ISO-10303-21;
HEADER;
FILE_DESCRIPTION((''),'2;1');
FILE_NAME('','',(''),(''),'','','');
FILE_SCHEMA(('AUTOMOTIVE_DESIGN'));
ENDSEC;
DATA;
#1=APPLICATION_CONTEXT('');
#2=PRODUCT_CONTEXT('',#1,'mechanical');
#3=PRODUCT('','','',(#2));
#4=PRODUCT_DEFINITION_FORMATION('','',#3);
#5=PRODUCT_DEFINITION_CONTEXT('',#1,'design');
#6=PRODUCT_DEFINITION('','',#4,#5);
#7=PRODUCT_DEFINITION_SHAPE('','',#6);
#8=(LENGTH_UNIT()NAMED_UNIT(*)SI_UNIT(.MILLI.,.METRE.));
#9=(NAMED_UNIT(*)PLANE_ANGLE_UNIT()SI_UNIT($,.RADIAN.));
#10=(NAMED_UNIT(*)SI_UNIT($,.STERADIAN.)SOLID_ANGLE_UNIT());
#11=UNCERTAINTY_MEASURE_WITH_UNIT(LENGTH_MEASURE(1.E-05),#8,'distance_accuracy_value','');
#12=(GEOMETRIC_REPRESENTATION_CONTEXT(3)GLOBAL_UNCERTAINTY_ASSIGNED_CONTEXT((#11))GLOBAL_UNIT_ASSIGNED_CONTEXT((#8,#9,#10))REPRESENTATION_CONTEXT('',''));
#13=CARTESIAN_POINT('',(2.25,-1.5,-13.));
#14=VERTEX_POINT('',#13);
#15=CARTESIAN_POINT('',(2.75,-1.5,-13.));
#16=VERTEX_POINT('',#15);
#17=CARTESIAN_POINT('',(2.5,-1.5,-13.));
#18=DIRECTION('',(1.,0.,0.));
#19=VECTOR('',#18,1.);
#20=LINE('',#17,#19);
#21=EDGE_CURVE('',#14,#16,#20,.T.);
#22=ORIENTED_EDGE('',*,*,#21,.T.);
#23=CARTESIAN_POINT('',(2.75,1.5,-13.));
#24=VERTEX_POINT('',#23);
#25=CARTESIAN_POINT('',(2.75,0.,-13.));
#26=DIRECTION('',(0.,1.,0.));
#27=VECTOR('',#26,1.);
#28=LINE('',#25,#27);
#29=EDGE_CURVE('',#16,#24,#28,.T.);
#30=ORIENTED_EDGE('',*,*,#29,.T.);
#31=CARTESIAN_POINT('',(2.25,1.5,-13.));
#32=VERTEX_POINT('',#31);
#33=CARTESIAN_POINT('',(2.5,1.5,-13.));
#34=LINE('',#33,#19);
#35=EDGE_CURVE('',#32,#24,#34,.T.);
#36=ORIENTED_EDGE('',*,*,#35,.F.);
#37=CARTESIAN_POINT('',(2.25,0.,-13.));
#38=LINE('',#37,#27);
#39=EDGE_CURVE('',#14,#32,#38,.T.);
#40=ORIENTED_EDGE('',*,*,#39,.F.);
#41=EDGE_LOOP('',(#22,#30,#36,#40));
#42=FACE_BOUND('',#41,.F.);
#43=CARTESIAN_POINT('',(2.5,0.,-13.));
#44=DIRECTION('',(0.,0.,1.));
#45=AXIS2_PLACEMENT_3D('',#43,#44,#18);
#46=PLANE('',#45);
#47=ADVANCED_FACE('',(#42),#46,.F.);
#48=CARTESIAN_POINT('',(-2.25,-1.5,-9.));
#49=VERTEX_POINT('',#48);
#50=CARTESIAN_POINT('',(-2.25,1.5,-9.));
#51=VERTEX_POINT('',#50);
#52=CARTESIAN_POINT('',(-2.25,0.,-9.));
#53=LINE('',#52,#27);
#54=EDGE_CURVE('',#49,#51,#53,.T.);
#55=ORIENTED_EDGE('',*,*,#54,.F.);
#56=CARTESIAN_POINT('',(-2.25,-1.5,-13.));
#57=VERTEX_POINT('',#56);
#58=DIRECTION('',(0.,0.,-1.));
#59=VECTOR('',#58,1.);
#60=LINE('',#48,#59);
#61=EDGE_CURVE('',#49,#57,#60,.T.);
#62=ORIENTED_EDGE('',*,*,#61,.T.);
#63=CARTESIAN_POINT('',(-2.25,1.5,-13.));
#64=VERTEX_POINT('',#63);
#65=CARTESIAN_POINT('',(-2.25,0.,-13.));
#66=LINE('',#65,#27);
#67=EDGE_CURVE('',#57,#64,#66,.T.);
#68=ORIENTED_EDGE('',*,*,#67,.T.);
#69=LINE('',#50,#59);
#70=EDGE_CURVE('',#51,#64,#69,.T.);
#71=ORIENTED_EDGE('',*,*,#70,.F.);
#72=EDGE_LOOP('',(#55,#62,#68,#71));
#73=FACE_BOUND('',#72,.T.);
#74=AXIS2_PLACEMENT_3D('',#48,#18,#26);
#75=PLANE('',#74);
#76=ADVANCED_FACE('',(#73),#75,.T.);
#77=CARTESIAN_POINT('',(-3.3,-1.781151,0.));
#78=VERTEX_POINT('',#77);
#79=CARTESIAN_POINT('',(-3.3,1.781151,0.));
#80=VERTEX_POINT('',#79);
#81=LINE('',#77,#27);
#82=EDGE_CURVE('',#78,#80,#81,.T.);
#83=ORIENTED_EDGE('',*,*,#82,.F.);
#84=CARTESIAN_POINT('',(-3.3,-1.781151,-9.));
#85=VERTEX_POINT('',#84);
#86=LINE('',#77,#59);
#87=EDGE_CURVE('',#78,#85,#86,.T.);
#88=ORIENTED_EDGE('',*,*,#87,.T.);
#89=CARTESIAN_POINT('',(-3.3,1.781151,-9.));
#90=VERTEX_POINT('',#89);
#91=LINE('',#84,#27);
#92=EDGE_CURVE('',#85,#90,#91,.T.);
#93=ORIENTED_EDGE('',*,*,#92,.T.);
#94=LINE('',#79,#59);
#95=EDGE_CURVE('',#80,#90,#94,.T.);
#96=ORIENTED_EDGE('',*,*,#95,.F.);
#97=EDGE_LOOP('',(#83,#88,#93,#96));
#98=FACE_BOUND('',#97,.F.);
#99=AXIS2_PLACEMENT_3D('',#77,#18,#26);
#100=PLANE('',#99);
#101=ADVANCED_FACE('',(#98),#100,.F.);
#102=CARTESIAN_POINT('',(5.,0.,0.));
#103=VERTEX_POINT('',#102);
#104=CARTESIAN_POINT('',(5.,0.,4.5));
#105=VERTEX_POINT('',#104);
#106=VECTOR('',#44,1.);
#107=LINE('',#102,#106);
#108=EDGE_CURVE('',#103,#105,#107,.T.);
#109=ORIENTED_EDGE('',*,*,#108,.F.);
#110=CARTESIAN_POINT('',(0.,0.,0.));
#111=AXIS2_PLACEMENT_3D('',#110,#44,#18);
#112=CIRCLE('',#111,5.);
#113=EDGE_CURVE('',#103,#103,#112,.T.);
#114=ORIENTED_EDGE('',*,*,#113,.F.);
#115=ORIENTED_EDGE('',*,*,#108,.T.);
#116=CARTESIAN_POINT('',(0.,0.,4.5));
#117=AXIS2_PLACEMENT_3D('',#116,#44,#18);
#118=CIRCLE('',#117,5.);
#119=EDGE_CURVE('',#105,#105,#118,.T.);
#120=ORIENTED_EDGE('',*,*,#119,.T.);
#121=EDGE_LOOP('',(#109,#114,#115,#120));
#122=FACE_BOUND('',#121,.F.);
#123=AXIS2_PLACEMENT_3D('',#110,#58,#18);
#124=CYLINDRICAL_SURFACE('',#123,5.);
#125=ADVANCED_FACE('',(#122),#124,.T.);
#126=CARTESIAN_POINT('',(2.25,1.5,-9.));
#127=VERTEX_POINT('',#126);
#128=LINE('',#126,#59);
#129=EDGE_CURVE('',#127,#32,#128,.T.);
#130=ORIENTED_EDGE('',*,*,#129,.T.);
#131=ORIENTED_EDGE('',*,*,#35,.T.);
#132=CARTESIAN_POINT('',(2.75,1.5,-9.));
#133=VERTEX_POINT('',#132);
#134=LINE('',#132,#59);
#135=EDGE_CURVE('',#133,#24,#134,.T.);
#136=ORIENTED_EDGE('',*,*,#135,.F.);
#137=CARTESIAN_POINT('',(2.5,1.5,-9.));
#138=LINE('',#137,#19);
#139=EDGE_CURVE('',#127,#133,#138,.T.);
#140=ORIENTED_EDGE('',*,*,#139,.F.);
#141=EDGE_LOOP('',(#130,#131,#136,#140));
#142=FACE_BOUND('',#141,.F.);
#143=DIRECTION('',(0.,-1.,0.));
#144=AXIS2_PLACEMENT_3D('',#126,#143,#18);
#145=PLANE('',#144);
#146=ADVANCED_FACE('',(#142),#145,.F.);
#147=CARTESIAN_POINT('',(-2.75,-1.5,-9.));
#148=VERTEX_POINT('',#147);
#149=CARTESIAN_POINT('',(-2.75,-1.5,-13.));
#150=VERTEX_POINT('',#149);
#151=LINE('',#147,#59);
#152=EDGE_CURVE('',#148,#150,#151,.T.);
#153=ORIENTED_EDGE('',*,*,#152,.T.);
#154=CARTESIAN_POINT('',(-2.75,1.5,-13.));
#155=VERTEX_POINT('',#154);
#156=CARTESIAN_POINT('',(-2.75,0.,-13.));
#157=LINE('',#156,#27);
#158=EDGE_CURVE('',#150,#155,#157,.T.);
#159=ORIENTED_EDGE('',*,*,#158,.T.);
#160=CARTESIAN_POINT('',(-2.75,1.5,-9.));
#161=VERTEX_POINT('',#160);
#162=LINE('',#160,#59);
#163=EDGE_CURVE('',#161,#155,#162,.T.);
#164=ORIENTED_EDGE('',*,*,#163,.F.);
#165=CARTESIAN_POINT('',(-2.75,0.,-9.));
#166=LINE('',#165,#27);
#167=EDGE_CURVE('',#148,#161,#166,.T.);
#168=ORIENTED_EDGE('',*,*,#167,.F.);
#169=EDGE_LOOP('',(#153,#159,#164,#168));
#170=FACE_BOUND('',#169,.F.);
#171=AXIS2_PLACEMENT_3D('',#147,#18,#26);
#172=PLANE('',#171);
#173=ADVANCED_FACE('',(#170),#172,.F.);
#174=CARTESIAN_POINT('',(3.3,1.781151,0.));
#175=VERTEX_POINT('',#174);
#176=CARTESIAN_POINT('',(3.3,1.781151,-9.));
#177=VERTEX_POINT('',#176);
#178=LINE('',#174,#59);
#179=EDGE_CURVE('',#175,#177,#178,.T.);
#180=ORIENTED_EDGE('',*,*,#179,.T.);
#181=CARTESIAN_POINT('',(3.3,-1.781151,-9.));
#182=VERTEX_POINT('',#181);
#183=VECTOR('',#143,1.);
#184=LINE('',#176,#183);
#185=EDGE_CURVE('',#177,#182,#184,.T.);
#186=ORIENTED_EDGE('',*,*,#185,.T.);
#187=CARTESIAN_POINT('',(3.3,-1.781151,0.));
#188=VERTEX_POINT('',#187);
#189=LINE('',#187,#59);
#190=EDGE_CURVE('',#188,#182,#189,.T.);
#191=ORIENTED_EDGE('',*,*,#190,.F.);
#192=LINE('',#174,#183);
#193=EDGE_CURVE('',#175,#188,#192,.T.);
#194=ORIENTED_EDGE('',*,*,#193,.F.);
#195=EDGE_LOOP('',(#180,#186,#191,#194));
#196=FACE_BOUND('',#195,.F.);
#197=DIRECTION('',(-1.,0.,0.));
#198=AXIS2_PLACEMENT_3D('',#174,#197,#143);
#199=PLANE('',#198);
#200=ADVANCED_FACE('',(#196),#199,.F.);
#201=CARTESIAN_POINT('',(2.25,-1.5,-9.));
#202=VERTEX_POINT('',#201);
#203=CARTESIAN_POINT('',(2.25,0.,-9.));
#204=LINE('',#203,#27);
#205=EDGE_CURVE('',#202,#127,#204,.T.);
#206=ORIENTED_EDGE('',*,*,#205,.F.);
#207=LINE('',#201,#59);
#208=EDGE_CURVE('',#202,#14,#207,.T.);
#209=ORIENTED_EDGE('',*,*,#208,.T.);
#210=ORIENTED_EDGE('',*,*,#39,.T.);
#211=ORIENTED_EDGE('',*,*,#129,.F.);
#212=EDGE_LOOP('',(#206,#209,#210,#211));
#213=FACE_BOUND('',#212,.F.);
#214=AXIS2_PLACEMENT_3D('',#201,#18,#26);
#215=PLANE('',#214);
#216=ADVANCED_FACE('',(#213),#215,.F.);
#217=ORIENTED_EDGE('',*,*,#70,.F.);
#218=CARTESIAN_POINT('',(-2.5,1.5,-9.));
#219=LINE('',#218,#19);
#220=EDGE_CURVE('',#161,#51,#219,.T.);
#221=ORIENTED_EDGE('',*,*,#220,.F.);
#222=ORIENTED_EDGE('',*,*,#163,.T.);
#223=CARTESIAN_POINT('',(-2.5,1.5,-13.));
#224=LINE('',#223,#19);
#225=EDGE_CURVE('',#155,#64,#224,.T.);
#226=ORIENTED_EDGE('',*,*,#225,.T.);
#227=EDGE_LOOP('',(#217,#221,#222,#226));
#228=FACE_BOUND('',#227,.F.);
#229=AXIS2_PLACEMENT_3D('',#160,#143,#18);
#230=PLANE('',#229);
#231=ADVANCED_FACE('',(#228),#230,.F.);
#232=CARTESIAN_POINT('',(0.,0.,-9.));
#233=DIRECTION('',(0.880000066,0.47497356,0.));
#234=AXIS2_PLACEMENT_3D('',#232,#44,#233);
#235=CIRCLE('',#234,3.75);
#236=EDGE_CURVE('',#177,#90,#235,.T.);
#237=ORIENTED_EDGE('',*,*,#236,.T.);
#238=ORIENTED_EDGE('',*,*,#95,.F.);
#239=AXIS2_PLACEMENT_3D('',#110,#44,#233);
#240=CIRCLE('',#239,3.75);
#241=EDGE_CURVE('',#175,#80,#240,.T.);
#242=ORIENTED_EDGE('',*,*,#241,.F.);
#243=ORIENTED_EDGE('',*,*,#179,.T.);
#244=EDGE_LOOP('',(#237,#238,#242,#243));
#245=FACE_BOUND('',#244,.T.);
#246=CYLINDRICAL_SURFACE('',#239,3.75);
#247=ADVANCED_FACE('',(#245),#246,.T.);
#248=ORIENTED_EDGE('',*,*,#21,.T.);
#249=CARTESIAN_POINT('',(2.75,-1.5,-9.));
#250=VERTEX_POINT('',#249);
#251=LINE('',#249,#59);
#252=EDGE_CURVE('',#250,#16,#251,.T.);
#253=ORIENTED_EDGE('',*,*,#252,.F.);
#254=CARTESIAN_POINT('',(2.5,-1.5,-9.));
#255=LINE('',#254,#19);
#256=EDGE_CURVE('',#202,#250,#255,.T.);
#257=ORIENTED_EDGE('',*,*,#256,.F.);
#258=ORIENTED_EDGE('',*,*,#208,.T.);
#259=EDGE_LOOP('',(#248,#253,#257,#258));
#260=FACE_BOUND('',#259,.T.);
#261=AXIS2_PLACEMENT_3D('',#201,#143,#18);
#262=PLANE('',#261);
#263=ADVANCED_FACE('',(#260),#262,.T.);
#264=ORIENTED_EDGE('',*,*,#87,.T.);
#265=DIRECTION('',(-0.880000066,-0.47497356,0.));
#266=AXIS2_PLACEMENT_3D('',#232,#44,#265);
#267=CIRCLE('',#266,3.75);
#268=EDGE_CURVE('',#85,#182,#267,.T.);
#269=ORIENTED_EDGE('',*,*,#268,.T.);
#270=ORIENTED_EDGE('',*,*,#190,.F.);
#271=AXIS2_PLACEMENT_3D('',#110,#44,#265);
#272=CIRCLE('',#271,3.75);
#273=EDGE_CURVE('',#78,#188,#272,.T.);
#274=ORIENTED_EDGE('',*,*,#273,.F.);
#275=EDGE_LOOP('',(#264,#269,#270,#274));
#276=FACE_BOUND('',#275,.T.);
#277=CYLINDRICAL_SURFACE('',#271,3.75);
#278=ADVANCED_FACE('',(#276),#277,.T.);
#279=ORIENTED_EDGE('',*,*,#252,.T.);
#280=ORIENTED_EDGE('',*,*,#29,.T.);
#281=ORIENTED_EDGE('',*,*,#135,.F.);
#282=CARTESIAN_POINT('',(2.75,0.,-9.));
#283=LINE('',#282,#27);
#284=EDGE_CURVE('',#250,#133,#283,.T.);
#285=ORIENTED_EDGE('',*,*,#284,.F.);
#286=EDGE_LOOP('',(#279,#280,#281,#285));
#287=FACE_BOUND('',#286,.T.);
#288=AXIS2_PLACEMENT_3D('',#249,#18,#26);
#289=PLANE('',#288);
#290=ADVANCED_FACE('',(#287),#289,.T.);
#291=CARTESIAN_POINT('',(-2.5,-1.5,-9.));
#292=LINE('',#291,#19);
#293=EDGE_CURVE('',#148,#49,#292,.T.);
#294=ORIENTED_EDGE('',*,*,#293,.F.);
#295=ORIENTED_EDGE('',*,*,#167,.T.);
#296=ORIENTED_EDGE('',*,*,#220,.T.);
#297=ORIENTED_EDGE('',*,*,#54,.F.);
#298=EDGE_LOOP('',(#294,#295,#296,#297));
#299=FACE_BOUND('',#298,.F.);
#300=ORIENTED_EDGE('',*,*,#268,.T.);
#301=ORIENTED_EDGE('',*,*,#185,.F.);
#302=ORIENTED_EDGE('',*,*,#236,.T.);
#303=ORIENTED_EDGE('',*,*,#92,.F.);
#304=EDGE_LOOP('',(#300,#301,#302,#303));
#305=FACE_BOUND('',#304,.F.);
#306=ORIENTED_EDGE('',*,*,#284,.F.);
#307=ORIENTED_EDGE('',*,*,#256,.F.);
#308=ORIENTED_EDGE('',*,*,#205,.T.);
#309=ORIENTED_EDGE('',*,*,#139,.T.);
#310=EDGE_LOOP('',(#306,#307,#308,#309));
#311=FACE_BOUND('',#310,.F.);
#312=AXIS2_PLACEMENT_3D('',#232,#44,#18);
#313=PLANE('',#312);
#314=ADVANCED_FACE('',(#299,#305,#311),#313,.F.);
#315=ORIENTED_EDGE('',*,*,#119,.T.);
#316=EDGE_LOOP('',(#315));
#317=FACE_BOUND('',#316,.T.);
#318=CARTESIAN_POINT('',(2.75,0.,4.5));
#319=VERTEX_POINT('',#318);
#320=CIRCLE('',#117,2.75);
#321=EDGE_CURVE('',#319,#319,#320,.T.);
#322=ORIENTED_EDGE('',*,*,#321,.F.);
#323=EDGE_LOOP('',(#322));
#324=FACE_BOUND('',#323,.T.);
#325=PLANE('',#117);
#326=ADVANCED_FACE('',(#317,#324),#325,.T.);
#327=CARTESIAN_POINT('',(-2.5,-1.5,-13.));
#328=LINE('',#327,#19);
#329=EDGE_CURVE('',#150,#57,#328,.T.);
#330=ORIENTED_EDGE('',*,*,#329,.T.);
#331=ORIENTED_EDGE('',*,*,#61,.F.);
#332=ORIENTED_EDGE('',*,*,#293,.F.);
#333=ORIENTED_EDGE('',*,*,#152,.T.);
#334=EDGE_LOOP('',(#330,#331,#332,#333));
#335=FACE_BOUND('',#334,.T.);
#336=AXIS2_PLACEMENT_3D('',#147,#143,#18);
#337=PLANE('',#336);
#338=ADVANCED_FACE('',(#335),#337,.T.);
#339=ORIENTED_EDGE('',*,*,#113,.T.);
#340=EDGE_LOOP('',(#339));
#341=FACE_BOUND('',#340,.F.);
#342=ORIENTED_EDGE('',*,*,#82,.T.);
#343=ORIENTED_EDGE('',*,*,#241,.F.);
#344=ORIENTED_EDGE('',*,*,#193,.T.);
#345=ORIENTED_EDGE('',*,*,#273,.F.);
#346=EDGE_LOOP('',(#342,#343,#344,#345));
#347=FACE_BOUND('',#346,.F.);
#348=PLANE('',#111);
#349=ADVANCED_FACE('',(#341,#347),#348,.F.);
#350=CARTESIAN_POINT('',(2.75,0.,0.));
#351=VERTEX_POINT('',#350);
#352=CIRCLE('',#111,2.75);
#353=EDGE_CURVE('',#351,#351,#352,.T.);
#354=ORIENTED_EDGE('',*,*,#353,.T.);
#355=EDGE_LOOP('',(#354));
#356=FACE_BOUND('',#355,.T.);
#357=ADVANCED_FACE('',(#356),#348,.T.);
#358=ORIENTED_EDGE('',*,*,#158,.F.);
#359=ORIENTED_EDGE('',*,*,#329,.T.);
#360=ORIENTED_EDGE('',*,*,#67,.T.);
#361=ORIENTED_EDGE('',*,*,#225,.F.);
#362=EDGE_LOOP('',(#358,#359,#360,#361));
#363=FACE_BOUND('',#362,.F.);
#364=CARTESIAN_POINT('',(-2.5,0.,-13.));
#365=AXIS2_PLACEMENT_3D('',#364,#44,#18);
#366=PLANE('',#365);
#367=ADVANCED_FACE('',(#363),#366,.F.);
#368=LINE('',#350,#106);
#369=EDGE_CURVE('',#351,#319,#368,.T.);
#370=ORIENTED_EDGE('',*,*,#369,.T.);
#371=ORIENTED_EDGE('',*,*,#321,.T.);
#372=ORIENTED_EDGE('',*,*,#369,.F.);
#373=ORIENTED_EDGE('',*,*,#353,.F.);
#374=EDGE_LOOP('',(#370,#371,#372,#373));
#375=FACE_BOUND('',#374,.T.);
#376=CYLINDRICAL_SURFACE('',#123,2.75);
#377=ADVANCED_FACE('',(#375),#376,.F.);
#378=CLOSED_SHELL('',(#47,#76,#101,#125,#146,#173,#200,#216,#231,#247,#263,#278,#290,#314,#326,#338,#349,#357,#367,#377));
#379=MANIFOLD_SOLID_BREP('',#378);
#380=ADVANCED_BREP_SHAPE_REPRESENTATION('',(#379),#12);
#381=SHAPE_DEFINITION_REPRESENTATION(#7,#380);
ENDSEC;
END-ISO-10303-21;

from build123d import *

# Parameters (mm, degrees)
SKETCH083_R   = 5
SKETCH083_R_2 = 2.75
PAD063_DEPTH  = 4.5
PAD064_DEPTH  = 9
SKETCH085_W   = 0.5
SKETCH085_H   = 3
PAD065_DEPTH  = 4


with BuildPart() as part:
    # Sketch083 → Pad063 (new body)
    with BuildSketch(Plane.XY):
        Circle(SKETCH083_R)
        Circle(SKETCH083_R_2, mode=Mode.SUBTRACT)
    extrude(amount=PAD063_DEPTH)

    # Sketch084 → Pad064 (join)
    with BuildSketch(Plane.XY):
        with BuildLine():
            ThreePointArc((3.3, 1.781151), (0, 3.75), (-3.3, 1.781151))
            Line((-3.3, -1.781151), (-3.3, 1.781151))
            ThreePointArc((-3.3, -1.781151), (0, -3.75), (3.3, -1.781151))
            Line((3.3, 1.781151), (3.3, -1.781151))
        make_face()
    extrude(amount=-PAD064_DEPTH)

    # Sketch085 → Pad065 (join)
    with BuildSketch(Plane.XY.offset(-9)):
        with Locations((-2.5, 0)):
            Rectangle(SKETCH085_W, SKETCH085_H)
        with Locations((2.5, 0)):
            Rectangle(SKETCH085_W, SKETCH085_H)
    extrude(amount=-PAD065_DEPTH)


solid = part.part
